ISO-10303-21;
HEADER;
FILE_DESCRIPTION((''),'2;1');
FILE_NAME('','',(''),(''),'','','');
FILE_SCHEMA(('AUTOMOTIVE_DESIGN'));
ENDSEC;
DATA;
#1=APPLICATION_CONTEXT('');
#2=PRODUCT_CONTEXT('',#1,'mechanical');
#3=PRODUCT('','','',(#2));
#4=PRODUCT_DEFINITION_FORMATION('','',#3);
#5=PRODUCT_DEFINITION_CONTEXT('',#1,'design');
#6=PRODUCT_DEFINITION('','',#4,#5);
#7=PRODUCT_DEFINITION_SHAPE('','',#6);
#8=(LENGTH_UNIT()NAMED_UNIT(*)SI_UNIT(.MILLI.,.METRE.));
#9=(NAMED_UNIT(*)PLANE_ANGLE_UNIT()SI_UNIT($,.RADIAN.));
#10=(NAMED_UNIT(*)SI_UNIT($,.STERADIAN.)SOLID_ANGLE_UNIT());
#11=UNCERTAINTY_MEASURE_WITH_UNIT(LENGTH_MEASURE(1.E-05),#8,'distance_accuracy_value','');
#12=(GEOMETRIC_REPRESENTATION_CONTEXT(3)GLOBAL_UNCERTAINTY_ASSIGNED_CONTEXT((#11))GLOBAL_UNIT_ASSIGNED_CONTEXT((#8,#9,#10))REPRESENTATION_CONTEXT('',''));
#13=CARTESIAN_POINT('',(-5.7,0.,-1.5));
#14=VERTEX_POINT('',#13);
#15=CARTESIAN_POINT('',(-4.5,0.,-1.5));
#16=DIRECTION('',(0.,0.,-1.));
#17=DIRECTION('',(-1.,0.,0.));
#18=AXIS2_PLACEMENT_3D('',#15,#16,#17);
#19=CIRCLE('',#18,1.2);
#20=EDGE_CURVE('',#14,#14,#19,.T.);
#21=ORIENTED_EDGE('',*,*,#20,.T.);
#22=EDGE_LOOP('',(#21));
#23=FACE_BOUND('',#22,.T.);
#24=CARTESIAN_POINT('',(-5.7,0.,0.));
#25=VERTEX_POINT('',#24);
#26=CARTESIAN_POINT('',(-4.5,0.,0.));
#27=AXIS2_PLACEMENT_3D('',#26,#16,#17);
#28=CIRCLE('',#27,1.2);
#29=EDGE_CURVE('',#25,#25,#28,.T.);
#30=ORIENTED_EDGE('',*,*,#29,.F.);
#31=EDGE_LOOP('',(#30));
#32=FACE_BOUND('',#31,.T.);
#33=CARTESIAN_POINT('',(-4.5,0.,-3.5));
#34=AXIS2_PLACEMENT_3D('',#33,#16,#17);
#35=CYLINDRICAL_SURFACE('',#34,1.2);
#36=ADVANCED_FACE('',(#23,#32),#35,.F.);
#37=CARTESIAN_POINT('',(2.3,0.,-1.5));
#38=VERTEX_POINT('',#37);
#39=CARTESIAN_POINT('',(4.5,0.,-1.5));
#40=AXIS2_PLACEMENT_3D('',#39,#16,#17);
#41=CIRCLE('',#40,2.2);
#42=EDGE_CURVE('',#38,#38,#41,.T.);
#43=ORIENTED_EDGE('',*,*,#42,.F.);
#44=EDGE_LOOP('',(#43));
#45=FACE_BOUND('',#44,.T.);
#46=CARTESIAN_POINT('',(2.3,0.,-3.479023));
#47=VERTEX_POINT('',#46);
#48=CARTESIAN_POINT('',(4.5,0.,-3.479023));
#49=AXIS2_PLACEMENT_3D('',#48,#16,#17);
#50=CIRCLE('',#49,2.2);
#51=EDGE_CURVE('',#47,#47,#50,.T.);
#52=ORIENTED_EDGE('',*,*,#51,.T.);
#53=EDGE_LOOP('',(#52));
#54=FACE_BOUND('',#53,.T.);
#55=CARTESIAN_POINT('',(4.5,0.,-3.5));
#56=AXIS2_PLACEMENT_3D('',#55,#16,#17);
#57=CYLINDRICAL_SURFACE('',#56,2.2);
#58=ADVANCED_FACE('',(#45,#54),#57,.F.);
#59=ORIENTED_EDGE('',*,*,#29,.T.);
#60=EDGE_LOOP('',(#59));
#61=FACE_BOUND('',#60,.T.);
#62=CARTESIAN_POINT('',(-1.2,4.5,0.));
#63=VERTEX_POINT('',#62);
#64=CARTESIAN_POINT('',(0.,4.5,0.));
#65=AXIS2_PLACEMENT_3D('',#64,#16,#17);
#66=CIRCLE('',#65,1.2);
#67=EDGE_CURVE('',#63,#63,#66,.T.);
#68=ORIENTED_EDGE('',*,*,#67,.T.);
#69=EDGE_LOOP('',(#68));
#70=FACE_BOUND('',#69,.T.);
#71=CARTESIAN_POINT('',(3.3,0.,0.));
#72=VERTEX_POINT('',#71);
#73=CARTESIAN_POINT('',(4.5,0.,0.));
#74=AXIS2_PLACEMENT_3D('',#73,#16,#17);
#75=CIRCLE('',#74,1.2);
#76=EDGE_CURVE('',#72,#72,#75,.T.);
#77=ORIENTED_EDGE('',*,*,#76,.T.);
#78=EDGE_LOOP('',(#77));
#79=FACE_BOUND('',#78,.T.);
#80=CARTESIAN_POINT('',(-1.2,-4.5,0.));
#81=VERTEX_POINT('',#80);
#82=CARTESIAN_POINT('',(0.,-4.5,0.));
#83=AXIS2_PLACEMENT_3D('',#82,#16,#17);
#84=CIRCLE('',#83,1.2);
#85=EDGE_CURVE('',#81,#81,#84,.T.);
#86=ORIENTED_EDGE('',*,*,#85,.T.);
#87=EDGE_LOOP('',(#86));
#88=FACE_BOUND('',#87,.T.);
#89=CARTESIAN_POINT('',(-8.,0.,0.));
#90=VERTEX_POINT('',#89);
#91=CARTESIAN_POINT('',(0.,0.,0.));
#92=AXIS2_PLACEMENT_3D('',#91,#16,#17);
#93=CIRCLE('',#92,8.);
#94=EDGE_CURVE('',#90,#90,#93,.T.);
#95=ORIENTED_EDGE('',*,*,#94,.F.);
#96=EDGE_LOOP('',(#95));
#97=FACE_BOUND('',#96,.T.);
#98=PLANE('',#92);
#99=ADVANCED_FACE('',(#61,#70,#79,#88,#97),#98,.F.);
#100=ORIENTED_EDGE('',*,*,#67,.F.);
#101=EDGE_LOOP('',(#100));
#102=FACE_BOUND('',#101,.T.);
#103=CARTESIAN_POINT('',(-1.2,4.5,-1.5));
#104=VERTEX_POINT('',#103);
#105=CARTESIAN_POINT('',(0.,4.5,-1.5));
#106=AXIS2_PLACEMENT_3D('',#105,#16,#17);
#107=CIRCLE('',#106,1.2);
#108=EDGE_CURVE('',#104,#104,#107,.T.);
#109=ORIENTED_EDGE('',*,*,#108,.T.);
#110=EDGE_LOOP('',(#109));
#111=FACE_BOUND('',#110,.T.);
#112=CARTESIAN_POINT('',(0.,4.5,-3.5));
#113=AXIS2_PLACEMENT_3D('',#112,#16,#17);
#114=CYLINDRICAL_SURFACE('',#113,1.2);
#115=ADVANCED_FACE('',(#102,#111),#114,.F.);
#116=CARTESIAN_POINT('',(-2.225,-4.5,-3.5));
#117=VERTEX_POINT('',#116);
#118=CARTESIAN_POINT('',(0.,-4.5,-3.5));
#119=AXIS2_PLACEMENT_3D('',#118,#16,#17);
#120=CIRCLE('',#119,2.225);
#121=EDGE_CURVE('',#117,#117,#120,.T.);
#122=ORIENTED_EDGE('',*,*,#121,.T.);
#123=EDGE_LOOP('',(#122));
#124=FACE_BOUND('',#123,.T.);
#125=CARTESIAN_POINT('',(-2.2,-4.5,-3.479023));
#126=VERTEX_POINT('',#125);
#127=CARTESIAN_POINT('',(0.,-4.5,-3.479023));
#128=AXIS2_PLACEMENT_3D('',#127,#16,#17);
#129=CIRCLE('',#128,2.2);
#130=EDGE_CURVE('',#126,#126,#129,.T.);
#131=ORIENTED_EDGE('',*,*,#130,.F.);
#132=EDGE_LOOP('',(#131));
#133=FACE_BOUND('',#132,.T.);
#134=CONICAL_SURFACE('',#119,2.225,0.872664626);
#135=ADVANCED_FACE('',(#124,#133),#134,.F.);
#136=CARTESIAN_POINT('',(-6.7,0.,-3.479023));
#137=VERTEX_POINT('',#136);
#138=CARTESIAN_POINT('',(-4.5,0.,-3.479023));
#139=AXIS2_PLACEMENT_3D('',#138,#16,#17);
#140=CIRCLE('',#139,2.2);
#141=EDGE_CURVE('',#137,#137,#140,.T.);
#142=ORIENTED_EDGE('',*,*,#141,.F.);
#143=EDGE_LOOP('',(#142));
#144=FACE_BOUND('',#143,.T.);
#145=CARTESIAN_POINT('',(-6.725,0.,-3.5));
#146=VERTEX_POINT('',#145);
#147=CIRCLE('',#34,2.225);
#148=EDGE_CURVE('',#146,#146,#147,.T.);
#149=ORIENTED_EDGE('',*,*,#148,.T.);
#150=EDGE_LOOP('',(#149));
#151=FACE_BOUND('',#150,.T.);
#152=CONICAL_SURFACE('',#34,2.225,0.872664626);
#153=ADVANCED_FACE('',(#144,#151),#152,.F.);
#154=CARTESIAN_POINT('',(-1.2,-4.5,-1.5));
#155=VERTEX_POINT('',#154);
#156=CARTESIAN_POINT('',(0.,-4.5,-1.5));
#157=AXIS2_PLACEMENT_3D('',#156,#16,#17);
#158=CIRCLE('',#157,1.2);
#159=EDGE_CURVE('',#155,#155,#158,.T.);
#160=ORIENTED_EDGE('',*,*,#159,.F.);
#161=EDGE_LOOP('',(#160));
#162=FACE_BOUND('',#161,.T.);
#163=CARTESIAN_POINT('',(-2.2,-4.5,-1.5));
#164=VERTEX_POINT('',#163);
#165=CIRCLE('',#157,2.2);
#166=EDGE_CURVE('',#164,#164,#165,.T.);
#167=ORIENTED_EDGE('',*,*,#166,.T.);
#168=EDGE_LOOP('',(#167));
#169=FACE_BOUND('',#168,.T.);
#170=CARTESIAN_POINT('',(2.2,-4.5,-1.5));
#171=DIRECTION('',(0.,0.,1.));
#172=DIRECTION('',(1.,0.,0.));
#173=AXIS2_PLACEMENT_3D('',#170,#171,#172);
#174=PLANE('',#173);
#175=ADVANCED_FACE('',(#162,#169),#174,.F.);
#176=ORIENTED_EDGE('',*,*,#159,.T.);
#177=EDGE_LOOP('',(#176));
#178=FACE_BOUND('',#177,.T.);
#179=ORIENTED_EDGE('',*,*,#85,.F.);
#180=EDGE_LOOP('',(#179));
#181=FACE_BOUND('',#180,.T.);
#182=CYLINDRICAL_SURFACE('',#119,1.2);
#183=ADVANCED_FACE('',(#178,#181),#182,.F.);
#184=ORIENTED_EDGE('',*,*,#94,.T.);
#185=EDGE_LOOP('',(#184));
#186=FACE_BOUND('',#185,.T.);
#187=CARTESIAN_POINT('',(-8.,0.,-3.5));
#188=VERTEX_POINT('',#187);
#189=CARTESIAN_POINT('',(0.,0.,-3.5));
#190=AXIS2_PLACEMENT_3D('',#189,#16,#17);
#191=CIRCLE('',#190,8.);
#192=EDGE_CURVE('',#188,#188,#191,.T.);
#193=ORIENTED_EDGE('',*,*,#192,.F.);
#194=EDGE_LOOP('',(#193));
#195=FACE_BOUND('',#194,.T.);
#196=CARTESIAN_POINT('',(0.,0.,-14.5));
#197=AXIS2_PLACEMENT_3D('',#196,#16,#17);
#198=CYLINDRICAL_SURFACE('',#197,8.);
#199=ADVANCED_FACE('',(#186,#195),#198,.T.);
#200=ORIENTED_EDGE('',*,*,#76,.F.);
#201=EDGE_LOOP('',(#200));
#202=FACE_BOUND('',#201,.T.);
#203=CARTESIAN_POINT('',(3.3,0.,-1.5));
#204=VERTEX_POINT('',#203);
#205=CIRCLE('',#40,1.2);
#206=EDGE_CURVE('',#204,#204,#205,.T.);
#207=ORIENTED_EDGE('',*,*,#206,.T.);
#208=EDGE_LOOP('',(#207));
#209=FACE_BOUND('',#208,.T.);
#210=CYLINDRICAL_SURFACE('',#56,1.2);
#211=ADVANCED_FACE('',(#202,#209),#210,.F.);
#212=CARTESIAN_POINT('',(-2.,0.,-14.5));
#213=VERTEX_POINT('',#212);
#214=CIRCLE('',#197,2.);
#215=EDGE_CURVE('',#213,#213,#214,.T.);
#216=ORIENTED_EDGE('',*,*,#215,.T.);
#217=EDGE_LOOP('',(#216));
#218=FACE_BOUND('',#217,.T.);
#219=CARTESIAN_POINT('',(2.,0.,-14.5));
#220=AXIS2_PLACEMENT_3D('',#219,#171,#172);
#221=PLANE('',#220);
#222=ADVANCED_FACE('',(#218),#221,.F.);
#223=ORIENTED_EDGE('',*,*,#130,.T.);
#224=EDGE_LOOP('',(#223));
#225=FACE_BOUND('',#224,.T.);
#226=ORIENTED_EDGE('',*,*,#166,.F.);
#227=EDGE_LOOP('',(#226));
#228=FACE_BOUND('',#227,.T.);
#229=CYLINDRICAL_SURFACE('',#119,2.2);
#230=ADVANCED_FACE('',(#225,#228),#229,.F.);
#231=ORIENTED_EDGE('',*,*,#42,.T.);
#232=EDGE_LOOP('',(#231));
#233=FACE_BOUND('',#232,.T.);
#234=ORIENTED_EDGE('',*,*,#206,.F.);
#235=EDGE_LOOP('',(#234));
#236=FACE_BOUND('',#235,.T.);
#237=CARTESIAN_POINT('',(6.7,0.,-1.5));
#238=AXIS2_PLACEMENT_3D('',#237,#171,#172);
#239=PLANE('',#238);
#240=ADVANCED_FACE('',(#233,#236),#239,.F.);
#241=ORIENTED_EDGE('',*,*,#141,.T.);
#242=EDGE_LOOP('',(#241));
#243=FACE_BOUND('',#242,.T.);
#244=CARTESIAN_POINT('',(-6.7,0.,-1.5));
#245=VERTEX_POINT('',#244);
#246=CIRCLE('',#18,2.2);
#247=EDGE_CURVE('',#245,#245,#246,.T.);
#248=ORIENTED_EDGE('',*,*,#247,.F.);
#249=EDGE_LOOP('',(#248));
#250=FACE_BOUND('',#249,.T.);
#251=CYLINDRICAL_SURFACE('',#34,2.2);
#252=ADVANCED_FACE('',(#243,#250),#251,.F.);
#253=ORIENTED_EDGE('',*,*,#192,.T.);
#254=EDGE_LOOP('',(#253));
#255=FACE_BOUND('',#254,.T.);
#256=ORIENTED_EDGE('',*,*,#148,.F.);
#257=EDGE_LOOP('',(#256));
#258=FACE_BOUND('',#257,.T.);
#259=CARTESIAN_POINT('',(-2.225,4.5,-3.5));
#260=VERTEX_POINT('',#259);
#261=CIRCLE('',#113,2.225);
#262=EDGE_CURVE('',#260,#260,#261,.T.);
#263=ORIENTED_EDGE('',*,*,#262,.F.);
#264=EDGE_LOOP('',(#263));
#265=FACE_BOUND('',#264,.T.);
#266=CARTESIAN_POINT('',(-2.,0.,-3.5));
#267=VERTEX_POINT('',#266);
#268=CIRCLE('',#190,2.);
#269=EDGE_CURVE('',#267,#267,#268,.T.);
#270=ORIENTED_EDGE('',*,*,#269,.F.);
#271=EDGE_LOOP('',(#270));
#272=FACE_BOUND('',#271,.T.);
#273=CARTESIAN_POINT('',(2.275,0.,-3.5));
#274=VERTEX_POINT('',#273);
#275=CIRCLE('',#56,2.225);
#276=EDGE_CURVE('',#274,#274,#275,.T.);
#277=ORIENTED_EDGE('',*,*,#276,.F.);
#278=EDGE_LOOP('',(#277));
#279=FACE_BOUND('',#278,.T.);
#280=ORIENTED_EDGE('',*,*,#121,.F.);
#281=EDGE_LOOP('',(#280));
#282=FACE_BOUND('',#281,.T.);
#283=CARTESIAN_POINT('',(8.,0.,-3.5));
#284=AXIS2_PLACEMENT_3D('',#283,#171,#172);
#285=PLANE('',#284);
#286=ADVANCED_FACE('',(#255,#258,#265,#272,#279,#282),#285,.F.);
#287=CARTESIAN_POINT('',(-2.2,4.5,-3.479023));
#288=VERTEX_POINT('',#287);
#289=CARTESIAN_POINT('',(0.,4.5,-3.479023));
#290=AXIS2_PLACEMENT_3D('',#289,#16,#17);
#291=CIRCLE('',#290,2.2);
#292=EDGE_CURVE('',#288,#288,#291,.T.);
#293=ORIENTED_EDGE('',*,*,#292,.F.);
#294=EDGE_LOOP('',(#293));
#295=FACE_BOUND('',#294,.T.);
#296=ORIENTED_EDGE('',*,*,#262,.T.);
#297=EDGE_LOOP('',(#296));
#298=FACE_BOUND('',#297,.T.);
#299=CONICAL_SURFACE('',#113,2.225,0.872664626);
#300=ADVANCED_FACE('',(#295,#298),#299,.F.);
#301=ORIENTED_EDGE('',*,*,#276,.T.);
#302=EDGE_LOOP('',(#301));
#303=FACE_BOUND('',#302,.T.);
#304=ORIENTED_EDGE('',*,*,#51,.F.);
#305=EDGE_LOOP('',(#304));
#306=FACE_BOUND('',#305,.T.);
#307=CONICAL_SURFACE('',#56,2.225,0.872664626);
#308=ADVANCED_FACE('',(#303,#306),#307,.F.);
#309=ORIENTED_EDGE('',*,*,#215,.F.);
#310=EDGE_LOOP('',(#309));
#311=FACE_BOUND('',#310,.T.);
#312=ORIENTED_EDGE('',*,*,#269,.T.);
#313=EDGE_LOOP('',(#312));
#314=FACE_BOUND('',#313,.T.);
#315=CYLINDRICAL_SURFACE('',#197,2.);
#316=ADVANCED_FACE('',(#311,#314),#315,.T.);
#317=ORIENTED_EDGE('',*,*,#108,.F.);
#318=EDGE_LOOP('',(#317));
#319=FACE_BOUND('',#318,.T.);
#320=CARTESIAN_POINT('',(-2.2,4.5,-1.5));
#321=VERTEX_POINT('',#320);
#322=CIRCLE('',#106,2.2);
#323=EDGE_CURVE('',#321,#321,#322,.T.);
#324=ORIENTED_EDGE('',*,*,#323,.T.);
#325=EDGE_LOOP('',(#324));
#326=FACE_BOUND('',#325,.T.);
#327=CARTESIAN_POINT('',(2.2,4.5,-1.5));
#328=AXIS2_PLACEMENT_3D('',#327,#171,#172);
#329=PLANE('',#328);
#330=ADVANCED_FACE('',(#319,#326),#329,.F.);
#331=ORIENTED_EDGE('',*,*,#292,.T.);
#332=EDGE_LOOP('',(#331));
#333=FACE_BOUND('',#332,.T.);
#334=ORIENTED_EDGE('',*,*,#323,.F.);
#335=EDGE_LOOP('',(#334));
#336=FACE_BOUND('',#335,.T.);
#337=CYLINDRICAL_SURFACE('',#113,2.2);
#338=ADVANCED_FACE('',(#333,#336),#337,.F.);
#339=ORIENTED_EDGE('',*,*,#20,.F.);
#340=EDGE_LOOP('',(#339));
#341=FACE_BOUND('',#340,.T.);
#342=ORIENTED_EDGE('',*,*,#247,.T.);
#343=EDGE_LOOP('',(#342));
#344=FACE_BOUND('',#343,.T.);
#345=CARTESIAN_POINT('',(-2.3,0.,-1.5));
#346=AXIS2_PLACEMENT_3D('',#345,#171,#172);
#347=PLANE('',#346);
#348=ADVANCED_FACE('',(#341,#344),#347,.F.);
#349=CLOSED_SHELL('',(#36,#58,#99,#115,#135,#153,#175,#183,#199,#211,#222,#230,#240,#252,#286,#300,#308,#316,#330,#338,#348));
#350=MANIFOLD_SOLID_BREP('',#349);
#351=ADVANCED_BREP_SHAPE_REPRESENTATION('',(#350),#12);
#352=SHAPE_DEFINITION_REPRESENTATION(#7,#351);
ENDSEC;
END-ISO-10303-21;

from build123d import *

# Parameters (mm, degrees)
CBORE_FOR_M2_SHCS1_AT_2_COUNT = 2
CBORE_FOR_M2_SHCS1_AT_2_PITCH = 6.363961031
CBORE_FOR_M2_SHCS1_AT_3_COUNT = 2
CBORE_FOR_M2_SHCS1_AT_3_PITCH = 9
CBORE_FOR_M2_SHCS1_AT_4_COUNT = 2
CBORE_FOR_M2_SHCS1_AT_4_PITCH = 6.363961031


with BuildPart() as part:
    # Sketch2 → Revolve1 (revolve)
    with BuildSketch(Plane(origin=(0, 0, 0), x_dir=(1, 0, 0), z_dir=(0, 1, 0)), mode=Mode.PRIVATE) as revolve1_sk:
        Polygon((0, 0), (8, 0), (8, 3.5), (2, 3.5), (2, 14.5), (0, 14.5), align=None)
    revolve(revolve1_sk.sketch.rotate(Axis((0, 0, -14.5), (0, 0, 1)), 180), axis=Axis((0, 0, -14.5), (0, 0, 1)))

    # Sketch5 → CBORE for M2 SHCS1 (revolve, cut)
    with BuildSketch(Plane(origin=(0, 4.5, -3.5), x_dir=(0, 1, 0), z_dir=(1, 0, 0))):
        Polygon((0, 0), (0, 3.5), (1.2, 3.5), (1.2, 2), (2.2, 2), (2.2, 0.020977491), (2.225, 0), align=None)
    cbore_for_m2_shcs1 = revolve(axis=Axis((0, 4.5, -9.85), (0, 0, 1)), mode=Mode.SUBTRACT)

    # CBORE for M2 SHCS1 at 2: CBORE for M2 SHCS1 ×2
    with Locations(*[Vector(-0.7071067811865476, -0.7071067811865476, 0) * (i * CBORE_FOR_M2_SHCS1_AT_2_PITCH) for i in range(1, CBORE_FOR_M2_SHCS1_AT_2_COUNT)]):
        add(cbore_for_m2_shcs1, mode=Mode.SUBTRACT)

    # CBORE for M2 SHCS1 at 3: CBORE for M2 SHCS1 ×2
    with Locations(*[(0, -i * CBORE_FOR_M2_SHCS1_AT_3_PITCH, 0) for i in range(1, CBORE_FOR_M2_SHCS1_AT_3_COUNT)]):
        add(cbore_for_m2_shcs1, mode=Mode.SUBTRACT)

    # CBORE for M2 SHCS1 at 4: CBORE for M2 SHCS1 ×2
    with Locations(*[Vector(0.7071067811865476, -0.7071067811865476, 0) * (i * CBORE_FOR_M2_SHCS1_AT_4_PITCH) for i in range(1, CBORE_FOR_M2_SHCS1_AT_4_COUNT)]):
        add(cbore_for_m2_shcs1, mode=Mode.SUBTRACT)


solid = part.part
